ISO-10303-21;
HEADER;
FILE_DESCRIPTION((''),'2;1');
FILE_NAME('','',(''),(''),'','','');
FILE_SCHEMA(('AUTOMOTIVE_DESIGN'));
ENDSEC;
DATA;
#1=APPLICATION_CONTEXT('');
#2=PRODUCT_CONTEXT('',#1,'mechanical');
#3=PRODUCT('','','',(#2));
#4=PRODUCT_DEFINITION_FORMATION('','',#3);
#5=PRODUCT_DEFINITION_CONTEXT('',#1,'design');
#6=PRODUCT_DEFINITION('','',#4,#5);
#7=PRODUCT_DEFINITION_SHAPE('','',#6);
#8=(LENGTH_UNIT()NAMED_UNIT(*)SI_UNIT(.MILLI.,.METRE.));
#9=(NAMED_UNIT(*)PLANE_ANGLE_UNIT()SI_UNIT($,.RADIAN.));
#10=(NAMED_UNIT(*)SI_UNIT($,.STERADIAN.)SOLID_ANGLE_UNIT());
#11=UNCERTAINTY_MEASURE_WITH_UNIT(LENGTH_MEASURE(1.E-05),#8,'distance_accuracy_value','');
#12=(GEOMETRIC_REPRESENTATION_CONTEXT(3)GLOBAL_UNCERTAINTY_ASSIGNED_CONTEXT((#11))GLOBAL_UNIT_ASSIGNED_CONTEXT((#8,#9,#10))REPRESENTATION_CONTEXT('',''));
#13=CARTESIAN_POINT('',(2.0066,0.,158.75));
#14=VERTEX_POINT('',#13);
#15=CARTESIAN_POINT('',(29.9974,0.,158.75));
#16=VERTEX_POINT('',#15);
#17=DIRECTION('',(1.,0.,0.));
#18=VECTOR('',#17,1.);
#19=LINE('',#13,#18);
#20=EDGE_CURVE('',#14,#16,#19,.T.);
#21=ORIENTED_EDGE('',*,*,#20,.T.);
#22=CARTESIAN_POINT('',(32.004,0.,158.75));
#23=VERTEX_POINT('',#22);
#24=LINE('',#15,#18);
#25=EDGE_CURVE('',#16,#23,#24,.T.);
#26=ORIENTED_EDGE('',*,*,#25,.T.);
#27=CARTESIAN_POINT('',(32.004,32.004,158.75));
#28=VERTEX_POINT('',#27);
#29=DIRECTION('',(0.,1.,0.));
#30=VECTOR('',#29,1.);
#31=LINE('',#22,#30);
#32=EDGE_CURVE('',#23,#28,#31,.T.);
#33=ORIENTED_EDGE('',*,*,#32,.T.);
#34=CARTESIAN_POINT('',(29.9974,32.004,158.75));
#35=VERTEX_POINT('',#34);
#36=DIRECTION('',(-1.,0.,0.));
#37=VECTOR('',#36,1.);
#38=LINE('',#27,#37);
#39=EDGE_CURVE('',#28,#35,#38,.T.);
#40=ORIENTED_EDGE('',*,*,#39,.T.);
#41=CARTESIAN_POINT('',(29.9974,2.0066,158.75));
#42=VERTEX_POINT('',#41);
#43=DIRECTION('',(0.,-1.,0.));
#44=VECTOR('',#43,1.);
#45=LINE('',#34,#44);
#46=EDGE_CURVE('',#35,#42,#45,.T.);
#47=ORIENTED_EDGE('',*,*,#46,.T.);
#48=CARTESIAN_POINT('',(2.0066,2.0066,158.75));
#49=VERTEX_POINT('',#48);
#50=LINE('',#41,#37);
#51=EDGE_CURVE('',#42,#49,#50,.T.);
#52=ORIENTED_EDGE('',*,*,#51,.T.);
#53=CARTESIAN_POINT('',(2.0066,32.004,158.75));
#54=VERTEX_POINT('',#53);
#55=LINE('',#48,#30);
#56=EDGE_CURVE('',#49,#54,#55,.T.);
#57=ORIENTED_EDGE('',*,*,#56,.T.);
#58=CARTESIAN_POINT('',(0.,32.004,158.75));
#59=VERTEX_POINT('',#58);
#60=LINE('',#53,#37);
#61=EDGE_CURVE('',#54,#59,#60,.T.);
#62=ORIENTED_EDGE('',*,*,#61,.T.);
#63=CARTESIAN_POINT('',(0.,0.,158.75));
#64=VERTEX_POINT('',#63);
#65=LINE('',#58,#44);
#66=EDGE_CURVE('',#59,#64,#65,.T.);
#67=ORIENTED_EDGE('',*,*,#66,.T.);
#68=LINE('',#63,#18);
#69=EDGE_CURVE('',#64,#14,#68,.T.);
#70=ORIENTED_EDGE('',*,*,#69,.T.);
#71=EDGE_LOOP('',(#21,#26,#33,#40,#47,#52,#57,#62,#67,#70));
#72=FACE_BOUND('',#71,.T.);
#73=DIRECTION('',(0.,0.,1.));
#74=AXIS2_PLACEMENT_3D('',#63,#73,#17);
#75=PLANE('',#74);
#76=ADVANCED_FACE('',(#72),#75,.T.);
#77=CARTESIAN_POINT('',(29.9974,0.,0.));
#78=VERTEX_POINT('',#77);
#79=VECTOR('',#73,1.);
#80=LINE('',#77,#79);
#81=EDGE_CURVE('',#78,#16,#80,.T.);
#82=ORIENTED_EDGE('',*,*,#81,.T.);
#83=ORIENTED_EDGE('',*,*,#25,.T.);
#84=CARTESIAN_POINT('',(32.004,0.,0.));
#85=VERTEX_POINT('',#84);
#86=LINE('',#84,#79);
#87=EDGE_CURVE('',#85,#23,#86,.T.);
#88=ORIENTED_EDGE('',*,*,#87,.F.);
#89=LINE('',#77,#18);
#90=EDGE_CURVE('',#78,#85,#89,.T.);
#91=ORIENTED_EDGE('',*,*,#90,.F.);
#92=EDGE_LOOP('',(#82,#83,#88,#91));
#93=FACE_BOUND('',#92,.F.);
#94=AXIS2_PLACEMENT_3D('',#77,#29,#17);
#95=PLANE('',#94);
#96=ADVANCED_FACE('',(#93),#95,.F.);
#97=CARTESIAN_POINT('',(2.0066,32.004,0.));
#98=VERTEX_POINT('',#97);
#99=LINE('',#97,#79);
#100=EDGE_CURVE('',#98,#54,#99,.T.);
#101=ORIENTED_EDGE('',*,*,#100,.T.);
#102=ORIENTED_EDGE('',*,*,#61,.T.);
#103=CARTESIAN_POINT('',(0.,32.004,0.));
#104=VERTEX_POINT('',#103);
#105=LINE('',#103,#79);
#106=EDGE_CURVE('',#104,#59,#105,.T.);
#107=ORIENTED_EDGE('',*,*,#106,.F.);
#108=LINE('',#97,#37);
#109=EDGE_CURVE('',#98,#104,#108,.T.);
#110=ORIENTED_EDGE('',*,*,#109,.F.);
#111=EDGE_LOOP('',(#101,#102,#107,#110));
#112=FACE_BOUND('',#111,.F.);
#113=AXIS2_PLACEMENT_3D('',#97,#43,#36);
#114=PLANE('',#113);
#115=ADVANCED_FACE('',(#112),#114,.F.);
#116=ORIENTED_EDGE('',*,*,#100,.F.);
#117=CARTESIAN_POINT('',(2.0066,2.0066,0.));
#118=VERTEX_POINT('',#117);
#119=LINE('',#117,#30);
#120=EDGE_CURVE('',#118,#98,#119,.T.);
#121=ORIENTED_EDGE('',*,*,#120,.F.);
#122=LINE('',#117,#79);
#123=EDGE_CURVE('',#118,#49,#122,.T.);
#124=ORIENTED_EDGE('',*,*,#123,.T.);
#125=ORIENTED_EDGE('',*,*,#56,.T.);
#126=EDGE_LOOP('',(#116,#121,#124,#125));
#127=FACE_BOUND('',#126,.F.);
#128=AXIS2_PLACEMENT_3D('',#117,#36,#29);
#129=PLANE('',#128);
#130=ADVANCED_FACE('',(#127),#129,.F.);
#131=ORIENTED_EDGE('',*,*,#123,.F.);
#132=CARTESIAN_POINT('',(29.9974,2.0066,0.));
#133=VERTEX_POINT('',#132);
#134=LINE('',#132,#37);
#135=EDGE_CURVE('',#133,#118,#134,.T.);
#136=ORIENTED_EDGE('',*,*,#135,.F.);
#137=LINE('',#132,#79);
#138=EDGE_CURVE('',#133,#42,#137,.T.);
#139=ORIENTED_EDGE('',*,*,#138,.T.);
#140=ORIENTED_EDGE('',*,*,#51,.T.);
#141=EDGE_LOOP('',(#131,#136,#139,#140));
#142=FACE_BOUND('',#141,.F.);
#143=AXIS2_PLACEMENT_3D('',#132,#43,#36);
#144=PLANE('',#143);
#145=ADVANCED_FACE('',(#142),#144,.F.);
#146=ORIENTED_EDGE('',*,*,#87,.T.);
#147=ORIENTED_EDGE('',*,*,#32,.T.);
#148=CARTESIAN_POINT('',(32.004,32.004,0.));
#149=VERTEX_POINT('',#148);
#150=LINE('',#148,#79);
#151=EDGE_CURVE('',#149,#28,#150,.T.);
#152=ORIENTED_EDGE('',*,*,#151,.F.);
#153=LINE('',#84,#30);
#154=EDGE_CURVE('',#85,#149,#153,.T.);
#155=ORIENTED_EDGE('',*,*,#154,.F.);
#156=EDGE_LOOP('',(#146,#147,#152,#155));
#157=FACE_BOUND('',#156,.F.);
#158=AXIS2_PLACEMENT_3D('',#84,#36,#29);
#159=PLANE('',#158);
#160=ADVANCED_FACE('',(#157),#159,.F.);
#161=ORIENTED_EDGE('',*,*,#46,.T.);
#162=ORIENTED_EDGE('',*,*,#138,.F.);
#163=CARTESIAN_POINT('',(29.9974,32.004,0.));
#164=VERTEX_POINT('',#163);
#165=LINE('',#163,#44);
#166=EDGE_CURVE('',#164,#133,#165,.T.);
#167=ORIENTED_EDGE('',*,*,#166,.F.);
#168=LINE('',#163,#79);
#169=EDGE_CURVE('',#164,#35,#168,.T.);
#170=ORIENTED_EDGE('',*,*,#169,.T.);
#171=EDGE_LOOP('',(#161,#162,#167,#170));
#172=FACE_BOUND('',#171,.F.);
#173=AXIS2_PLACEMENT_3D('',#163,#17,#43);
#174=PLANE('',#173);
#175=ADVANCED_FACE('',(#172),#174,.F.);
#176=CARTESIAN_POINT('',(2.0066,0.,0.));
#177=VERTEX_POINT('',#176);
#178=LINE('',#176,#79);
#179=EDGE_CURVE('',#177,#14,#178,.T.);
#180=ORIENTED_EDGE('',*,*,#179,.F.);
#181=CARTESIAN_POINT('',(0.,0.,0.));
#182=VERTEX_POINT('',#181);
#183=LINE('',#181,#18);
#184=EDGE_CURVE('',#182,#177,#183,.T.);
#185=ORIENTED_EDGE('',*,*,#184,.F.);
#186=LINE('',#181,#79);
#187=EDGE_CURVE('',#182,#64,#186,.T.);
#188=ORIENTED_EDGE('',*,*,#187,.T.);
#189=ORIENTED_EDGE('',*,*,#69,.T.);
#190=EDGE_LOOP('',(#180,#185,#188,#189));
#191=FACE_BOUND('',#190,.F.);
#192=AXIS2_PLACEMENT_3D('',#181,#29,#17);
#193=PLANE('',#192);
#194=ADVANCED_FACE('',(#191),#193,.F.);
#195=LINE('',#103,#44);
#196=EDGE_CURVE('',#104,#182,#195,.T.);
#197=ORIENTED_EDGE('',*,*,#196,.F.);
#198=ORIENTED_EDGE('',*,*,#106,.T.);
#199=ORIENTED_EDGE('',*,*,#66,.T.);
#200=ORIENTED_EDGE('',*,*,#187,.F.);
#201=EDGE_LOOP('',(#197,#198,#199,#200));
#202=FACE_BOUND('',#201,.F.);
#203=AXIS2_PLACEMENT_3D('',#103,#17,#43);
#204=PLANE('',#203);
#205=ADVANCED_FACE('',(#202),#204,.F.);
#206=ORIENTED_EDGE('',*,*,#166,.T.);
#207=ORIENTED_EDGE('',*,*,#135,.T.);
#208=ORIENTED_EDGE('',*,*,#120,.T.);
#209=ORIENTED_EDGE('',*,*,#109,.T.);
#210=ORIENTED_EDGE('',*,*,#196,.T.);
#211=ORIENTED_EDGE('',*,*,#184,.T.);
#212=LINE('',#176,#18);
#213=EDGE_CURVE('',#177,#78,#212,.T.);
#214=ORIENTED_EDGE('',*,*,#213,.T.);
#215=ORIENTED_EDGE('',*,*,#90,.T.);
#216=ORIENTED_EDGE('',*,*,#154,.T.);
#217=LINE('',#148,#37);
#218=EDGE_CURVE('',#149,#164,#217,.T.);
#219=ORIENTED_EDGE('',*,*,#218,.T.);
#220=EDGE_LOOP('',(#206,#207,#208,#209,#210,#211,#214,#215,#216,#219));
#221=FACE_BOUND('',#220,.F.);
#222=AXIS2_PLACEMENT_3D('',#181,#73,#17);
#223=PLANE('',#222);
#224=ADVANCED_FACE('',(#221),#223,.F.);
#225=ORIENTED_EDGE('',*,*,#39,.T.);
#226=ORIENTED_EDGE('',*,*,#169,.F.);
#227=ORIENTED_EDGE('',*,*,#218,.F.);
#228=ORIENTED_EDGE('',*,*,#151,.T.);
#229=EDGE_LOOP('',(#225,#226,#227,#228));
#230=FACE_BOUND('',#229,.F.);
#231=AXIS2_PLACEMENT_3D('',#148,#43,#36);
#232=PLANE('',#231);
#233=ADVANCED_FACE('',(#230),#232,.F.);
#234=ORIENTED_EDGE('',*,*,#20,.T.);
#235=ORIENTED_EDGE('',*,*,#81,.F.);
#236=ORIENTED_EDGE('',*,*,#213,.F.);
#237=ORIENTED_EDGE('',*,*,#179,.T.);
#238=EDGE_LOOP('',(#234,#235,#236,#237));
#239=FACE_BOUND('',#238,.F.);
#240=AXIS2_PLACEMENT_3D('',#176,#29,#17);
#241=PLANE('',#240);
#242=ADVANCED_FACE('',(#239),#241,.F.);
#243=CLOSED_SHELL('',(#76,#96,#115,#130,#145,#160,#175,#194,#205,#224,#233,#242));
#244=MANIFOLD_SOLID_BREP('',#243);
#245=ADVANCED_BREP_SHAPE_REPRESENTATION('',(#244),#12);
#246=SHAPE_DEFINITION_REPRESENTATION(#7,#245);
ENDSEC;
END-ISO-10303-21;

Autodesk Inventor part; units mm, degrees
ref_plane "YZ Plane" through (0, 0, 0) normal (1, 0, 0) x (0, 1, 0)
ref_plane "XZ Plane" through (0, 0, 0) normal (0, 1, 0) x (-1, 0, 0)
ref_plane "XY Plane" through (0, 0, 0) normal (0, 0, 1) x (1, 0, 0)
sketch "Sketch1" plane through (0, 0, 0) normal (0, 0, 1) x (1, 0, 0)
  line L0 (2.0066, 32.004) -> (0, 32.004)
  line L1 (0, 32.004) -> (0, 0)
  line L2 (0, 0) -> (2.0066, 0)
  line L3 (2.0066, 2.0066) -> (2.0066, 32.004)
  line L4 (2.0066, 0) -> (29.9974, 0)
  line L5 (29.9974, 2.0066) -> (2.0066, 2.0066)
  line L6 (29.9974, 0) -> (32.004, 0)
  line L7 (32.004, 0) -> (32.004, 32.004)
  line L8 (32.004, 32.004) -> (29.9974, 32.004)
  line L9 (29.9974, 32.004) -> (29.9974, 2.0066)
  dimension "d2" = 2.0066
  dimension "d3" = 32.004
sketch "Sketch2" plane through (0, 0, 0) normal (0, 0, 1) x (1, 0, 0)
  point P0 (0, 0)
extrude "Extrusion1" add sketch "Sketch1" along normal blind 158.75
properties part number "USEsolid3"
